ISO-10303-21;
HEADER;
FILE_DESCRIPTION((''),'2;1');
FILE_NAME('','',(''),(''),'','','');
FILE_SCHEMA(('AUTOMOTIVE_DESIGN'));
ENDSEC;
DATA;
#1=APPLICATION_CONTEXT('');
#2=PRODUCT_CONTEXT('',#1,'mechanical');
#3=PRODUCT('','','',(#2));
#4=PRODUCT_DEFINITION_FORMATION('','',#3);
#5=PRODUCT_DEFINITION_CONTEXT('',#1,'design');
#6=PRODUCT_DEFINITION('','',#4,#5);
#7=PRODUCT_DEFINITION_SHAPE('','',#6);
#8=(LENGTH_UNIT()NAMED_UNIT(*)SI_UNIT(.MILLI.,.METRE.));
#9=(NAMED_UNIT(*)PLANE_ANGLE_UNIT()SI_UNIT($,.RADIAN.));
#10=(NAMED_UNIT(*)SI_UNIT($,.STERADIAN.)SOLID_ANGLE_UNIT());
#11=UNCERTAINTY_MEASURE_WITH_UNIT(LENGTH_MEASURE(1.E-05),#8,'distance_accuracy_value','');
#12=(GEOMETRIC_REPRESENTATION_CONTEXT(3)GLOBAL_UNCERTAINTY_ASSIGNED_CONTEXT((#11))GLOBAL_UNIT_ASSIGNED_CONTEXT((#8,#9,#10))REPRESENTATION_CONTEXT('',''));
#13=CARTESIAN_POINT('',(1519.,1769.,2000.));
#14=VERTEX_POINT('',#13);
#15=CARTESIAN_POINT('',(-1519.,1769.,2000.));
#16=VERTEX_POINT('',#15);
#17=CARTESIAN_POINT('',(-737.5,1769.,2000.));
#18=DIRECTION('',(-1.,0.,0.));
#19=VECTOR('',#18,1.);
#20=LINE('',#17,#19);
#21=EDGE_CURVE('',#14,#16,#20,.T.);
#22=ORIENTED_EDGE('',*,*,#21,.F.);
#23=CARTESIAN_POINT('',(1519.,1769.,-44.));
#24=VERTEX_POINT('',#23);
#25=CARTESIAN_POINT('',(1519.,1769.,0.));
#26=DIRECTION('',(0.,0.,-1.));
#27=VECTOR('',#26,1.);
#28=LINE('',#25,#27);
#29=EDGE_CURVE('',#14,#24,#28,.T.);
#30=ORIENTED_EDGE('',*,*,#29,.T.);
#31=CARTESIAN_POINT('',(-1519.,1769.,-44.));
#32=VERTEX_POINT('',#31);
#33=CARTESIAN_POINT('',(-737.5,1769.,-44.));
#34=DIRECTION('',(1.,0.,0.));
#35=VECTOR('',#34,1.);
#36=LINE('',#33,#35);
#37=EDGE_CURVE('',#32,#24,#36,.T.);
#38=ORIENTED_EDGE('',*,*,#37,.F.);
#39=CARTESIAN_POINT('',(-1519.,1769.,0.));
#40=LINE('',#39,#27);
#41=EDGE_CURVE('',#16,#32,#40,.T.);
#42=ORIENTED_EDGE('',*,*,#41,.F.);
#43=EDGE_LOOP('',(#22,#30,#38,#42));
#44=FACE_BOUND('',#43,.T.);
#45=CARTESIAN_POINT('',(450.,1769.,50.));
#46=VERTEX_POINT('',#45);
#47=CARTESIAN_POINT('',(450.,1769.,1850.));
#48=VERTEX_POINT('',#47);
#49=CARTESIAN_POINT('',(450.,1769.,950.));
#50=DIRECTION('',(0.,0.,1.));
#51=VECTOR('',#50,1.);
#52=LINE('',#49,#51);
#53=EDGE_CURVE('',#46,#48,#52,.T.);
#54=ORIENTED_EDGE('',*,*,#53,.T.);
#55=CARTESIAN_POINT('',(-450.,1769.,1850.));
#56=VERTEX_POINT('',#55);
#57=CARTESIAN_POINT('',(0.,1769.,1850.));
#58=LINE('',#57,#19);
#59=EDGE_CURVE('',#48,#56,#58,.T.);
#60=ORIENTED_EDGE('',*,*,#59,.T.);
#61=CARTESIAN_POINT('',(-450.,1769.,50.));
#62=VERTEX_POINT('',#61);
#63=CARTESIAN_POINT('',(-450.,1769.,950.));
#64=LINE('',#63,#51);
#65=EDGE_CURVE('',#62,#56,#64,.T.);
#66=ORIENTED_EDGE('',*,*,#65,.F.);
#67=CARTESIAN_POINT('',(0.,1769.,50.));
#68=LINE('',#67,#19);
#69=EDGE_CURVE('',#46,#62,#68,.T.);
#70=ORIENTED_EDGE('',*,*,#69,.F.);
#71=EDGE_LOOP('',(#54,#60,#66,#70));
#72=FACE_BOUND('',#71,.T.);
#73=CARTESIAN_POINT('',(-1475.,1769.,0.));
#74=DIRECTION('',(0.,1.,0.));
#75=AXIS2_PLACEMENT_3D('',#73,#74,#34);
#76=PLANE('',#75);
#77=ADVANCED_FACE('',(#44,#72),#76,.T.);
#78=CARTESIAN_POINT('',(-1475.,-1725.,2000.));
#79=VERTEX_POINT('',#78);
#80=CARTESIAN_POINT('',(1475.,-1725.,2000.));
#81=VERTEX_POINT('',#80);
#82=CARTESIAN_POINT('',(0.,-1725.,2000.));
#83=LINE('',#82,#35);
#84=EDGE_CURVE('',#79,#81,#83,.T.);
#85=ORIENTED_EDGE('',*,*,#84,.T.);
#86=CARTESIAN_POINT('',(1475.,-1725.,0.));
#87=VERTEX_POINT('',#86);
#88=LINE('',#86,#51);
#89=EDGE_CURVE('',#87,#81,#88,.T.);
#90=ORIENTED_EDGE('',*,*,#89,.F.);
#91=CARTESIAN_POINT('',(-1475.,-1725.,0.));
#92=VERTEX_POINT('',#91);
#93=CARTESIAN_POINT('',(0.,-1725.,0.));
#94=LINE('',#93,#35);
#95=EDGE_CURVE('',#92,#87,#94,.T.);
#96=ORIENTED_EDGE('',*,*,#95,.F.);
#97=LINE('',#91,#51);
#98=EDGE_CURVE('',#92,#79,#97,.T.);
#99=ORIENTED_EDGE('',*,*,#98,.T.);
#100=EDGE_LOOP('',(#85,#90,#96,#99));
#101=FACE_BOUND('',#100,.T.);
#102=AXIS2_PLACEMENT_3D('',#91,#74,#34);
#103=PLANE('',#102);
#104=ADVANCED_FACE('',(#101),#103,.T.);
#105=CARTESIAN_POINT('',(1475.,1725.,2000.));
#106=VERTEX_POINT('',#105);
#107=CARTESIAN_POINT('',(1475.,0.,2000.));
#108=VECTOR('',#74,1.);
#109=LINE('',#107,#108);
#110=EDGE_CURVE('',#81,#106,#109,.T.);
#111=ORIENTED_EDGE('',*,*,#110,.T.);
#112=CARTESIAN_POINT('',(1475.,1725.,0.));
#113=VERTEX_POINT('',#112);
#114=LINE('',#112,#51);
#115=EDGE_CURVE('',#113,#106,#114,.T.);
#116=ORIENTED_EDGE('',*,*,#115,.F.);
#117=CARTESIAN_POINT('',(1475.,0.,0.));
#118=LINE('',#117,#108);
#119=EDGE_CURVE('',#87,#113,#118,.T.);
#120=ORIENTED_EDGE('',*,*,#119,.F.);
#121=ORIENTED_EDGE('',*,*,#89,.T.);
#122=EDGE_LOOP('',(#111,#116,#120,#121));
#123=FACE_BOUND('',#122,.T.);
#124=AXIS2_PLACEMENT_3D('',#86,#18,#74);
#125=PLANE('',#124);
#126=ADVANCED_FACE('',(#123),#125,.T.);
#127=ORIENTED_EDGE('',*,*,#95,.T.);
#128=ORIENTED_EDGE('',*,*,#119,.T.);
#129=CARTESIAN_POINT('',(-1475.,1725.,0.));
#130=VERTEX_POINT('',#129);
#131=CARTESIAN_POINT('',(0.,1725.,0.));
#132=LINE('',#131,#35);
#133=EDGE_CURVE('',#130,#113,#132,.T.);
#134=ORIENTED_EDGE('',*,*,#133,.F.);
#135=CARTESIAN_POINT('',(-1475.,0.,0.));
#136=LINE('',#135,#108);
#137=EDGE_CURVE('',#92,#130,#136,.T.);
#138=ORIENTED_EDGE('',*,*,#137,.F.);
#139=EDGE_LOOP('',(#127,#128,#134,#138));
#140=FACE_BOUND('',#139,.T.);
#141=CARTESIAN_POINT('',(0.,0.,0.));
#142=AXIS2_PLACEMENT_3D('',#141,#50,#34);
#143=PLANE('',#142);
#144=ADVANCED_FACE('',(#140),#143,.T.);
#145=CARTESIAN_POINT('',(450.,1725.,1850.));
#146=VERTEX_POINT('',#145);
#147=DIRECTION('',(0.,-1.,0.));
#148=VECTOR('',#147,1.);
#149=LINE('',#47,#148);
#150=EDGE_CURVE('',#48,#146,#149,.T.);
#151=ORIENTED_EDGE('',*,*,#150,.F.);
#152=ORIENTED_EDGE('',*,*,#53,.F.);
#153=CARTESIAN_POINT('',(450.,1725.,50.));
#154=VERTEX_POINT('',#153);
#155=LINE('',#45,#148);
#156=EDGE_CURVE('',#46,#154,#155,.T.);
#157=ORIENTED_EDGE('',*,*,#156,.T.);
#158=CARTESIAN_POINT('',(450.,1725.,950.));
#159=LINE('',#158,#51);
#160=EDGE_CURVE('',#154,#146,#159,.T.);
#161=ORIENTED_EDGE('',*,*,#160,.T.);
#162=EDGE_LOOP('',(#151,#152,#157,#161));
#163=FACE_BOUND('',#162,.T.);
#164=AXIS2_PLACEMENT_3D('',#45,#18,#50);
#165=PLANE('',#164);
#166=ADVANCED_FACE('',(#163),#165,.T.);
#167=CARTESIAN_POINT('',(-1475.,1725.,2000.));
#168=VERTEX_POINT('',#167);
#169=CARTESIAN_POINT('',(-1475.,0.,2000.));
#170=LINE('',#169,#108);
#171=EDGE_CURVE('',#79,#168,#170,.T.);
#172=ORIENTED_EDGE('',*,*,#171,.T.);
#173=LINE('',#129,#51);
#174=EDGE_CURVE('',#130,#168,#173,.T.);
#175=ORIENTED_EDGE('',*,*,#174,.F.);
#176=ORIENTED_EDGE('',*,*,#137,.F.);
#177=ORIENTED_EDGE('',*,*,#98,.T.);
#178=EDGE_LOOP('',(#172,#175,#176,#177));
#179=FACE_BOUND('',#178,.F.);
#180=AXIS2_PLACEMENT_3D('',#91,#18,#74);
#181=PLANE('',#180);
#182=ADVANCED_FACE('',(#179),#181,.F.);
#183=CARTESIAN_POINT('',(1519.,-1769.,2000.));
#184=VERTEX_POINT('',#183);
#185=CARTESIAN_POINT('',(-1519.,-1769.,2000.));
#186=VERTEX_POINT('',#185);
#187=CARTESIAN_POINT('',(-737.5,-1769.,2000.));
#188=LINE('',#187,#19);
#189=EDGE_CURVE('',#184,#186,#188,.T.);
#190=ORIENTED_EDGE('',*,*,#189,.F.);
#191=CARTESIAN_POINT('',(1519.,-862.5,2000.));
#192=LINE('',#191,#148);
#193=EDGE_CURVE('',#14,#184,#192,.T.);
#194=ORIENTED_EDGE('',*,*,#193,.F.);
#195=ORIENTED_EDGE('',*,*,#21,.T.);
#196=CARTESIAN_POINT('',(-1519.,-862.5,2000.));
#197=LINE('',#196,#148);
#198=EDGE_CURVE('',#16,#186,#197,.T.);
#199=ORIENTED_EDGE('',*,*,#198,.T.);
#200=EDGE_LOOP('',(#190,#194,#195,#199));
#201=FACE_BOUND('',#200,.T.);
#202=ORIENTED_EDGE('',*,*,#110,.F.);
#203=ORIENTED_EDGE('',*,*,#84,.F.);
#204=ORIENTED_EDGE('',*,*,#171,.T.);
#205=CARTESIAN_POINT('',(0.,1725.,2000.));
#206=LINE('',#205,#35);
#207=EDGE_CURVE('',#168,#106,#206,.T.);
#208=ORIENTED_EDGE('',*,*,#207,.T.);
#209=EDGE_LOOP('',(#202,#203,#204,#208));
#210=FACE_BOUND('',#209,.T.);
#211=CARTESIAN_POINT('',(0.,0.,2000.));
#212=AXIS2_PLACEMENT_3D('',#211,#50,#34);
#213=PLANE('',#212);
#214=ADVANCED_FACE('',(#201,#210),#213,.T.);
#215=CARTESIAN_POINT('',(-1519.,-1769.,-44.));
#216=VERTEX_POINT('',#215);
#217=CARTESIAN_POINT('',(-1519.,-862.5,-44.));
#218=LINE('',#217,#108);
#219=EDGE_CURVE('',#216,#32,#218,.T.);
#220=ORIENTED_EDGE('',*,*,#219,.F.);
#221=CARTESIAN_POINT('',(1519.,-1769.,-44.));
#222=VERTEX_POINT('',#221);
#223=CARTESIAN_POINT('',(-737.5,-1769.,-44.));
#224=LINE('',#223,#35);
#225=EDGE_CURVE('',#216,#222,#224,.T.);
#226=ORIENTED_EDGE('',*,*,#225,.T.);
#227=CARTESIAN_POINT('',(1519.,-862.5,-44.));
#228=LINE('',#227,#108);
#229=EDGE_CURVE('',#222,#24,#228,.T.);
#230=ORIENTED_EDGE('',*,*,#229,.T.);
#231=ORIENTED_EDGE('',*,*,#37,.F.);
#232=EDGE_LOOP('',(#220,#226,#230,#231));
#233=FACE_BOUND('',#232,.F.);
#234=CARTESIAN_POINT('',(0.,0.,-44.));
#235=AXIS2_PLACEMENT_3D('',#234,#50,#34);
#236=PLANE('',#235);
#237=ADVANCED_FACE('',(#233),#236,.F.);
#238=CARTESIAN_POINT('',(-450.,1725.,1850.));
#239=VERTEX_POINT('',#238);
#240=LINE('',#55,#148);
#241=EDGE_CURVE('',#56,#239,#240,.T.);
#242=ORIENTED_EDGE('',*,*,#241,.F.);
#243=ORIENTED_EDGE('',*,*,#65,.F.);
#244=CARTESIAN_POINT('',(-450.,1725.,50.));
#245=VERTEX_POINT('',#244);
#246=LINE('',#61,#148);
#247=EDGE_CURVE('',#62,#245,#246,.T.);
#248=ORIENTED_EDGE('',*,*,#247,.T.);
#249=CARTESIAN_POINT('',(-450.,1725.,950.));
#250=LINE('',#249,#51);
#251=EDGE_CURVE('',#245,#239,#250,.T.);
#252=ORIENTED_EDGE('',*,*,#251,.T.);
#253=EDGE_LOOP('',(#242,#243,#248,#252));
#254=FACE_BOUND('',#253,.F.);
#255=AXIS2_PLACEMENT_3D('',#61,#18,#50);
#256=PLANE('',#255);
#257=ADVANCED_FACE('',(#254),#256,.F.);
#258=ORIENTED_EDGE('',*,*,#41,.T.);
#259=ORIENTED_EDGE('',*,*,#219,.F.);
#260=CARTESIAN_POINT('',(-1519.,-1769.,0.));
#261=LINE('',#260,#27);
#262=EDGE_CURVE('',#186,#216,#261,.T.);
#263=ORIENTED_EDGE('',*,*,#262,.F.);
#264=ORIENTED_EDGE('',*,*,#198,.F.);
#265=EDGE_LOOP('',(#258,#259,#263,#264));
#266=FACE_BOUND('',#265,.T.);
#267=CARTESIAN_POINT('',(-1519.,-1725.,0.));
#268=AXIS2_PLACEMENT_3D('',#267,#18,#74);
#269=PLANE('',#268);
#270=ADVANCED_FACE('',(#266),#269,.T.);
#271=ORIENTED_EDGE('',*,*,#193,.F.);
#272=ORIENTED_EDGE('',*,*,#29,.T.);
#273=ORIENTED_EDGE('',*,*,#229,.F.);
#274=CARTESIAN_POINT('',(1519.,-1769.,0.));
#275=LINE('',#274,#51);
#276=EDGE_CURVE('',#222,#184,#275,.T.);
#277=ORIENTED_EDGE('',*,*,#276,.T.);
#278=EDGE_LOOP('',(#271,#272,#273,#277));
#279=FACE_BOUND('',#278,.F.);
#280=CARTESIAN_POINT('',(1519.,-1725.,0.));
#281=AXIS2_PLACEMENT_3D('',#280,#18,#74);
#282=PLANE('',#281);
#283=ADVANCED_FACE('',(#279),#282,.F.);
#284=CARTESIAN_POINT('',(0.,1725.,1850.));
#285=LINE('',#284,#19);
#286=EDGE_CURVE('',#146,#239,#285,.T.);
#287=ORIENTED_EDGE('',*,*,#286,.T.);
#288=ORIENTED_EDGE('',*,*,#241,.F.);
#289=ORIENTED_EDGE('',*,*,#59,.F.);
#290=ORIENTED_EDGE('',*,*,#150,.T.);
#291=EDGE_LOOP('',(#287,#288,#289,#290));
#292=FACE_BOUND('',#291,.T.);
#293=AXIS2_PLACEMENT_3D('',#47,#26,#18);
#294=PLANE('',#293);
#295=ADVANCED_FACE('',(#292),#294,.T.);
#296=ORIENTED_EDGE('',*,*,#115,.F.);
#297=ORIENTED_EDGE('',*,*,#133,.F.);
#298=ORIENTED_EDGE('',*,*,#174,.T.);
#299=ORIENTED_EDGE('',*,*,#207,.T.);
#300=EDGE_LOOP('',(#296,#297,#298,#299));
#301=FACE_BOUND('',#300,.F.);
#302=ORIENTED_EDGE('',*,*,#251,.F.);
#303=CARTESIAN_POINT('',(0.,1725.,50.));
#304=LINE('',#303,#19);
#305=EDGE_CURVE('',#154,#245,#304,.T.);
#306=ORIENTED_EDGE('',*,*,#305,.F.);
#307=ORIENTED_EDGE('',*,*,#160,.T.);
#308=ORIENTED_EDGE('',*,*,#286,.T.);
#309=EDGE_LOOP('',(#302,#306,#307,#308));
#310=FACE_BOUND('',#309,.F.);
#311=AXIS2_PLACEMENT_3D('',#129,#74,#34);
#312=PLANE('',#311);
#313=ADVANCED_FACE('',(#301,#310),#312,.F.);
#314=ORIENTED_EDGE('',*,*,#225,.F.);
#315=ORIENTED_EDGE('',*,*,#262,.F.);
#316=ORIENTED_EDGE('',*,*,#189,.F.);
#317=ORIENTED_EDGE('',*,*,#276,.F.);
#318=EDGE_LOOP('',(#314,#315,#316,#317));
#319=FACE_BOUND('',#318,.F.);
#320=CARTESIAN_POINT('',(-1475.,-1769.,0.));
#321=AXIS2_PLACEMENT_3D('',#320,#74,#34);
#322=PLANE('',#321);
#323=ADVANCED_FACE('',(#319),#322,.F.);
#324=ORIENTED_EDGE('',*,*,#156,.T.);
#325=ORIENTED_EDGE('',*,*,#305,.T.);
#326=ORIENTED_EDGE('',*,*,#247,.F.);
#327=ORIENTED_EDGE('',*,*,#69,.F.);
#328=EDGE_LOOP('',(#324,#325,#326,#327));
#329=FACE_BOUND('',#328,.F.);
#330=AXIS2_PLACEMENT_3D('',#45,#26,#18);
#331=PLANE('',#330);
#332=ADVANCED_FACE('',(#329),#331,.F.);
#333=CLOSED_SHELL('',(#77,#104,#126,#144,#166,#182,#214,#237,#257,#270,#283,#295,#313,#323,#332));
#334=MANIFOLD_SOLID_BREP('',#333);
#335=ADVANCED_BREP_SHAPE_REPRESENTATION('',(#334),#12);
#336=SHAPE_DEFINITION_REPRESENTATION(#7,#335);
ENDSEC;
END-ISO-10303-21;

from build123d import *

# Parameters (mm, degrees)
F0_W     = 2950
F0_H     = 3450
F1_DEPTH = 2000
F2_T     = 44
F3_W     = 900
F3_H     = 1800
F4_DEPTH = 44


with BuildPart() as f1:
    # F0 (on Top) → F1 (new body)
    with BuildSketch(Plane.XY):
        Rectangle(F0_W, F0_H)
    extrude(amount=F1_DEPTH)

    # F2
    f2_openings = [f1.faces().sort_by_distance(p)[0] for p in [
        (0, 0, 2000),
    ]]
    offset(amount=F2_T, openings=f2_openings, kind=Kind.INTERSECTION)

    # F3 (on face) → F4 (cut, through all)
    with BuildSketch(Plane(origin=(0, 1769, 0), x_dir=(-1, 0, 0), z_dir=(0, 1, 0))):
        with Locations((0, 950)):
            Rectangle(F3_W, F3_H)
    extrude(amount=-F4_DEPTH, mode=Mode.SUBTRACT)


solid = f1.part
